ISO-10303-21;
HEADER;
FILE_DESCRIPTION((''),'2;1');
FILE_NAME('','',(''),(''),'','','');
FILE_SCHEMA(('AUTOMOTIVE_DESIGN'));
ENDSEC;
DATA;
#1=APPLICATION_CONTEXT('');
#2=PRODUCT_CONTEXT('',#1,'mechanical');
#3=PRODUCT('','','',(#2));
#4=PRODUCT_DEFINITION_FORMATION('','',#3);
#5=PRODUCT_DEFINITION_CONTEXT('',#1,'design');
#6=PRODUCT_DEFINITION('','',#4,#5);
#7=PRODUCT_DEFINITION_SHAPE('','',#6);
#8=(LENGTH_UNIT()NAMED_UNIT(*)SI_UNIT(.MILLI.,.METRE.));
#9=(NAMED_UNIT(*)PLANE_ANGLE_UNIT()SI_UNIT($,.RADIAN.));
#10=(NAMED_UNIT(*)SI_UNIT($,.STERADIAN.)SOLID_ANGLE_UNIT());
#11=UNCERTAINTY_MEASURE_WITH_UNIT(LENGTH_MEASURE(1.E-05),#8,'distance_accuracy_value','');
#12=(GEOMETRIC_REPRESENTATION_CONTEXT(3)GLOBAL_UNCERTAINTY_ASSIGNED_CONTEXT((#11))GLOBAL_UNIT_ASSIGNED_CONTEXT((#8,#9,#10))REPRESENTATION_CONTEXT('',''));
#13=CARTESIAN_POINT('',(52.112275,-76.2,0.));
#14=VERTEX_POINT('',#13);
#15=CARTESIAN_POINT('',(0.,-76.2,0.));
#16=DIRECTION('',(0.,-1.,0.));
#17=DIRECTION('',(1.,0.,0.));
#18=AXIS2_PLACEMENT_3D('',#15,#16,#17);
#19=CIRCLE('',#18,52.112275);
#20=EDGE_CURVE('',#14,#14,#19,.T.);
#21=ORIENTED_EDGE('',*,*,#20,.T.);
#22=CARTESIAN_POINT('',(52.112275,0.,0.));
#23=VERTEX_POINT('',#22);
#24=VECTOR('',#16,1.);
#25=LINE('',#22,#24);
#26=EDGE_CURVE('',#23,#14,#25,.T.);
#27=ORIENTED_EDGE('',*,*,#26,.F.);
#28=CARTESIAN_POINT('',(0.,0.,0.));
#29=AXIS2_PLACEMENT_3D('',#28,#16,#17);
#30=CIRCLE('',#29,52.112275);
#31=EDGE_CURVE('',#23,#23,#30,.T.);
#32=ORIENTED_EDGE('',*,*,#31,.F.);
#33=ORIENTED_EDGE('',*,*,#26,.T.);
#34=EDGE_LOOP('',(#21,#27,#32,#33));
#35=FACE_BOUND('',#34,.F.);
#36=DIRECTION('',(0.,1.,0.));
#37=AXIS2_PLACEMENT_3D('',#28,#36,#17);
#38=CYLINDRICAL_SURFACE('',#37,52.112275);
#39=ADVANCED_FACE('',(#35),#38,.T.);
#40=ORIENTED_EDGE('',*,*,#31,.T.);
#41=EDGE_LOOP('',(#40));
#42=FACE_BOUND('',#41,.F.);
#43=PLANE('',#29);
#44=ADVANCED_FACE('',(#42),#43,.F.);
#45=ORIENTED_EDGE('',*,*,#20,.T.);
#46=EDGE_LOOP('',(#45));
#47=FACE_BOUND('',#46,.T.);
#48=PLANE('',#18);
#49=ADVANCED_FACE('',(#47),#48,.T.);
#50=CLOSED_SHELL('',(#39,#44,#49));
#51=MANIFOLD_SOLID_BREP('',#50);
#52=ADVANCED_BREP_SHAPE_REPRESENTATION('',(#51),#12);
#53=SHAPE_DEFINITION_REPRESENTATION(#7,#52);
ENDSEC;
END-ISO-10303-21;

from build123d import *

# Parameters (mm, degrees)
F1_R     = 52.112275
F2_DEPTH = 76.2
F3_R     = 50.475255
F4_DEPTH = 76.2


with BuildPart() as f2:
    # F1 (on face) → F2 (new body)
    with BuildSketch(Plane.XZ):
        Circle(F1_R)
    extrude(amount=F2_DEPTH)

    # F3 (on face) → F4 (join)
    with BuildSketch(Plane.XZ):
        Circle(F3_R)
    extrude(amount=F4_DEPTH)


solid = f2.part
